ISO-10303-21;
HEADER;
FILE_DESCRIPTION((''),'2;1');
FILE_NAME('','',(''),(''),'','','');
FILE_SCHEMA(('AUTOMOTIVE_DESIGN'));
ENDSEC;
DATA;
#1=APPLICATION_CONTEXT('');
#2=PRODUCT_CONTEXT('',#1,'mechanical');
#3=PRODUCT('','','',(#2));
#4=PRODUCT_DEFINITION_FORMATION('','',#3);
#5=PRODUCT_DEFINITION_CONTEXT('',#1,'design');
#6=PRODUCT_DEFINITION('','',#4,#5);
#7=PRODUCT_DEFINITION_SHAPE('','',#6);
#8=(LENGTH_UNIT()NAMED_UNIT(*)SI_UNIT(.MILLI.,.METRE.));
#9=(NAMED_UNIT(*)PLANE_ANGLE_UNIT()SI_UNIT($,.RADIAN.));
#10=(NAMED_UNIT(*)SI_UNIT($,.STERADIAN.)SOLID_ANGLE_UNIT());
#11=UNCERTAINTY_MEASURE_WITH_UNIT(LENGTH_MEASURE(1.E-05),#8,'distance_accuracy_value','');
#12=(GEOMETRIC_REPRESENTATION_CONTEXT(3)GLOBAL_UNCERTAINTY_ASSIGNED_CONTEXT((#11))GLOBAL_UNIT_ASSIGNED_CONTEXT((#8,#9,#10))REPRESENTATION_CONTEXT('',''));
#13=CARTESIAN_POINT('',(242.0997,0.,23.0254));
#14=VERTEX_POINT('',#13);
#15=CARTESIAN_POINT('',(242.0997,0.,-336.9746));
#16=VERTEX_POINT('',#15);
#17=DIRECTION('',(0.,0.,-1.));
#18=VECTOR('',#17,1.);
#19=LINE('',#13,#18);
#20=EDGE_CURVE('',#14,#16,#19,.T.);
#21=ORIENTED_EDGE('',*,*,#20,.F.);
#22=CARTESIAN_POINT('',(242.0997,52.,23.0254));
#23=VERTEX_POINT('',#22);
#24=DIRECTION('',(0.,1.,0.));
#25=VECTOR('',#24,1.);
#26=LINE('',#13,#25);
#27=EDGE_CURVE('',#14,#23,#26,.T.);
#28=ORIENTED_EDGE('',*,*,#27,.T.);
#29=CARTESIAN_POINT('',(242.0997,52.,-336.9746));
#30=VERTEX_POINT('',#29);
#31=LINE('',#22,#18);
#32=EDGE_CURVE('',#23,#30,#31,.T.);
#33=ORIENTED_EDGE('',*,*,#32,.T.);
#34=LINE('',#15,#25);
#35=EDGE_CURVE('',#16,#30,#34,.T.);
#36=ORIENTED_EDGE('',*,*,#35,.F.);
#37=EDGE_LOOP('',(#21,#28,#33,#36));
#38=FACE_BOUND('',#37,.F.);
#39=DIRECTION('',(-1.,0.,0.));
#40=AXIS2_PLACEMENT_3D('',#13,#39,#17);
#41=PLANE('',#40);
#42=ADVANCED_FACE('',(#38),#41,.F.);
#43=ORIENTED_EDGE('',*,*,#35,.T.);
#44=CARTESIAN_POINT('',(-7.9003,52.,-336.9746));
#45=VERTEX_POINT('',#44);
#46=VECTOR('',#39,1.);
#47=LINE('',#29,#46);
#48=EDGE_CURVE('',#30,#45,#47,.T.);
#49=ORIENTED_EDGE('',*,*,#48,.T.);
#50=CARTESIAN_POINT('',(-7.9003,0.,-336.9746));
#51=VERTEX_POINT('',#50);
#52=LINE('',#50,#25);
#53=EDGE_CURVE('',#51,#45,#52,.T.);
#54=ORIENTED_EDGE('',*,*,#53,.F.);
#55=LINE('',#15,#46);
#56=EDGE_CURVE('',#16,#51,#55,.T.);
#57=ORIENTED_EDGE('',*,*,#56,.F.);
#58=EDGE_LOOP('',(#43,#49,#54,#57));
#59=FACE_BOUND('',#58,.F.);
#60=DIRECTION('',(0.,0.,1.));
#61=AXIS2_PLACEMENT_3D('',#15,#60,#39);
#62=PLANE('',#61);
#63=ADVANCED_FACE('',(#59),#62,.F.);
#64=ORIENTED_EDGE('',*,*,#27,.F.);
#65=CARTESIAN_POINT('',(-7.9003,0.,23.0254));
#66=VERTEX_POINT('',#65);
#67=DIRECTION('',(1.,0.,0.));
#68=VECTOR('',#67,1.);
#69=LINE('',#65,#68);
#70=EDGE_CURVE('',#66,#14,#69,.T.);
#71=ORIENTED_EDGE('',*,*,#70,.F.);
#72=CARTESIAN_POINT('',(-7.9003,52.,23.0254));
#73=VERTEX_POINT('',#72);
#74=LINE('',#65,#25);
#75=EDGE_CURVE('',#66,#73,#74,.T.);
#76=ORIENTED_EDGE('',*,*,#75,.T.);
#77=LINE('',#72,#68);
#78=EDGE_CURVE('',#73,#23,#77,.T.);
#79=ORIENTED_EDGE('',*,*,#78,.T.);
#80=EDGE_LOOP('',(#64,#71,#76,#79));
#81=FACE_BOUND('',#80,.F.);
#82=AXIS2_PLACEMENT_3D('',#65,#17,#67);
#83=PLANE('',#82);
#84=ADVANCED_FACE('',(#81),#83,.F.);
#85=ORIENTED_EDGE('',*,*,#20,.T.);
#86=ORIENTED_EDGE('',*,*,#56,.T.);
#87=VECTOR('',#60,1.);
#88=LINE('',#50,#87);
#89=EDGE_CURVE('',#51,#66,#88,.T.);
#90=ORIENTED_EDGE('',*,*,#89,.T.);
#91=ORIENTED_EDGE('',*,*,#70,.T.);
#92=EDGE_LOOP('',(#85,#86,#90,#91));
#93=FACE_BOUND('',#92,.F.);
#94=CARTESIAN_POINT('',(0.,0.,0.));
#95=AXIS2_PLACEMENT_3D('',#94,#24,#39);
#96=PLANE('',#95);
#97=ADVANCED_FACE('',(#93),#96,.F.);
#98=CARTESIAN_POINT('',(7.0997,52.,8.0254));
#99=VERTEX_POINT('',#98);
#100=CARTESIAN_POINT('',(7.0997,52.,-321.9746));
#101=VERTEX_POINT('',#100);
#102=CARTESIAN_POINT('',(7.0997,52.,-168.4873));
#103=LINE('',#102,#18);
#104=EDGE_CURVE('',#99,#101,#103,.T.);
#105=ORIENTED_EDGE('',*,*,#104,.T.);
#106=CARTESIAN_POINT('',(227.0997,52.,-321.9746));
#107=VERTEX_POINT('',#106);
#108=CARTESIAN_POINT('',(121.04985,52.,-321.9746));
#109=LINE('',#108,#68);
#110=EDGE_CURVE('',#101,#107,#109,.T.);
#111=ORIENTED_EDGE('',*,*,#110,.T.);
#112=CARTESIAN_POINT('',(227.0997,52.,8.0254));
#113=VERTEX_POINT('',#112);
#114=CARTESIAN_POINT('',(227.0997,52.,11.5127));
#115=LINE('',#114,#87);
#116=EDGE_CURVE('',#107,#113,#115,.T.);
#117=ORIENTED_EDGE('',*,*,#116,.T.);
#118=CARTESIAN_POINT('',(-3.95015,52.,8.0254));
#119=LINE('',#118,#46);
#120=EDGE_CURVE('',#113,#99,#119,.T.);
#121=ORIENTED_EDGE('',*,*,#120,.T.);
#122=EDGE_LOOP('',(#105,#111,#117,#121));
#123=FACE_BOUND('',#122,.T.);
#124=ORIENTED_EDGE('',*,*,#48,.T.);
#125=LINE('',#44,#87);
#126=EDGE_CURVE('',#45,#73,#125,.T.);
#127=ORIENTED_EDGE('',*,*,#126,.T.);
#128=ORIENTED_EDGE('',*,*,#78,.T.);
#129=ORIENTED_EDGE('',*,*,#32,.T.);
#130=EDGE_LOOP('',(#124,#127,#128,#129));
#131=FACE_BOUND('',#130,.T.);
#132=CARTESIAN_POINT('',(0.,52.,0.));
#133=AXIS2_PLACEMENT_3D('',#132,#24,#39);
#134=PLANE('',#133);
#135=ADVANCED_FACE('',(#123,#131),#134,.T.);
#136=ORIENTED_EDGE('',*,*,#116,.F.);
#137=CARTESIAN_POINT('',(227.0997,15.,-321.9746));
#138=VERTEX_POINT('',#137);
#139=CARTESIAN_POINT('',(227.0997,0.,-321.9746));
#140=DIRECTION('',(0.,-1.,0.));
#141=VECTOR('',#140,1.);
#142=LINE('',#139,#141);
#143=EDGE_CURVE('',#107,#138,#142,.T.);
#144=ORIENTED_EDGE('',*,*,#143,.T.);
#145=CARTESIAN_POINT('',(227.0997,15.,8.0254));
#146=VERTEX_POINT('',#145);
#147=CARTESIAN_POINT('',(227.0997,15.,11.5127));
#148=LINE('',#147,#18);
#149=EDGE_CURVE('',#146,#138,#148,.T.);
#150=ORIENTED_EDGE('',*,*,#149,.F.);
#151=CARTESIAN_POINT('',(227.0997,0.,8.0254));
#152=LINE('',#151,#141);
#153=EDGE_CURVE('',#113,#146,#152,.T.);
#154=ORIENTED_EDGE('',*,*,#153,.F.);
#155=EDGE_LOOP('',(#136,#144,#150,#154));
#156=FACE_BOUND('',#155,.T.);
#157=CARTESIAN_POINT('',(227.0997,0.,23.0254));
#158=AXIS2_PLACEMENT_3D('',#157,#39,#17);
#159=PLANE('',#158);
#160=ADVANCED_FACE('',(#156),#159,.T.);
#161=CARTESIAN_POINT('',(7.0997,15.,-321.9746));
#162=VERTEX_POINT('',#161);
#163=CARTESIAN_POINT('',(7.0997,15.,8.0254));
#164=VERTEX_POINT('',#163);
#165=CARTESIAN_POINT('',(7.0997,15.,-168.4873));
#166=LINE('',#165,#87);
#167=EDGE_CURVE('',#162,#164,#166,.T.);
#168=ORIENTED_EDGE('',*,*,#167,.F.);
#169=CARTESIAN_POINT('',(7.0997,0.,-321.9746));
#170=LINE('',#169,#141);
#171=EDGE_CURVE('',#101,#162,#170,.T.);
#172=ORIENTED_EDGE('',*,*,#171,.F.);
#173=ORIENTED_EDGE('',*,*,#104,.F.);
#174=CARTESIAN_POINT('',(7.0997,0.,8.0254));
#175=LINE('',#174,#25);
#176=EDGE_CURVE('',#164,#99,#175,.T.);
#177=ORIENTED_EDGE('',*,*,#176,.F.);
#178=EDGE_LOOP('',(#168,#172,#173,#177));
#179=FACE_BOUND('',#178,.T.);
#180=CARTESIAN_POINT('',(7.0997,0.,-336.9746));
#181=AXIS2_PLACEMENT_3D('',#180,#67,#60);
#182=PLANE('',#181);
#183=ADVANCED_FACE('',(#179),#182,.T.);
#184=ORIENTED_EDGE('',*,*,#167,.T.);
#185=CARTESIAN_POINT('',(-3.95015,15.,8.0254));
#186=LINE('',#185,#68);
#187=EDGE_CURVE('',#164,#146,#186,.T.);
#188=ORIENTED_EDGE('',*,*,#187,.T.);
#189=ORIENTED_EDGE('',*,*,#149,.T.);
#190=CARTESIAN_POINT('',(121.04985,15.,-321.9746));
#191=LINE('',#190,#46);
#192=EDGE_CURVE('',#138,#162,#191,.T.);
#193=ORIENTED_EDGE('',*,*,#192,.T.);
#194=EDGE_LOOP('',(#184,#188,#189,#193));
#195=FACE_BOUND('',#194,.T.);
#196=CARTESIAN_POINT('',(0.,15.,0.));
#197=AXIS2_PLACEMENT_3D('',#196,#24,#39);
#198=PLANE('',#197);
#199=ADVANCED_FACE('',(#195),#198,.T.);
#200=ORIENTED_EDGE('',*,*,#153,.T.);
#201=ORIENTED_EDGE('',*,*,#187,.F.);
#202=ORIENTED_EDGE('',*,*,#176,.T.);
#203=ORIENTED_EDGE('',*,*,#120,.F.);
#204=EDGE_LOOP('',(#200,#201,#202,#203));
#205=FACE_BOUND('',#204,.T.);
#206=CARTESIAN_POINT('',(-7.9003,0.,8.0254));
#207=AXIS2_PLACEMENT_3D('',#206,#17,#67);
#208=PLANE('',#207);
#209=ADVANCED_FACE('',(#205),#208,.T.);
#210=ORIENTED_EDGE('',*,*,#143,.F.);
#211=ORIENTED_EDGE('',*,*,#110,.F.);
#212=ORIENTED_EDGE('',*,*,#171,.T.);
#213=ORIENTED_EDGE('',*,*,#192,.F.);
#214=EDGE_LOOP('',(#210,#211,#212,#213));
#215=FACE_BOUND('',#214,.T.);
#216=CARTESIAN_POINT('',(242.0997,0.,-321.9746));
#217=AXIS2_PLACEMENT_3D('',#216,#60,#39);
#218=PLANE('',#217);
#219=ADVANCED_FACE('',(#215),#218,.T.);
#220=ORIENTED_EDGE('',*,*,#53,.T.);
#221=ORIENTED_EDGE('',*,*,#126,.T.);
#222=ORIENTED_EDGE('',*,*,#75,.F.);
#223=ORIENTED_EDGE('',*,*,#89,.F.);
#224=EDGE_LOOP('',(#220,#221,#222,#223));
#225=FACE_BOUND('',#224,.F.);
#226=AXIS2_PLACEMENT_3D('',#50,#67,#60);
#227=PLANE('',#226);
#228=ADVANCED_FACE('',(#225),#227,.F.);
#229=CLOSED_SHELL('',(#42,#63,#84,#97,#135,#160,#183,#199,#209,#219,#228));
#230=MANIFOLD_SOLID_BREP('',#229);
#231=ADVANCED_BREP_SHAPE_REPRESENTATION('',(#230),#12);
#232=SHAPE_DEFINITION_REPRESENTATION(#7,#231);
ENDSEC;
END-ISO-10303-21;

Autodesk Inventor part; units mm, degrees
ref_plane "YZ Plane" through (0, 0, 0) normal (1, 0, 0) x (0, 1, 0)
ref_plane "XZ Plane" through (0, 0, 0) normal (0, 1, 0) x (-1, 0, 0)
ref_plane "XY Plane" through (0, 0, 0) normal (0, 0, 1) x (1, 0, 0)
sketch "Sketch1" plane through (0, 0, 0) normal (0, 1, 0) x (-1, 0, 0)
  line L0 (7.9003, 23.0254) -> (-242.0997, 23.0254)
  line L1 (-242.0997, 23.0254) -> (-242.0997, -336.9746)
  line L2 (-242.0997, -336.9746) -> (7.9003, -336.9746)
  line L3 (7.9003, -336.9746) -> (7.9003, 23.0254)
  point P0 (0, 0)
  dimension "d0" = 250
  dimension "d1" = 360
extrude "Extrusion1" add sketch "Sketch1" along normal blind 52
shell "Shell1" thickness 15 removed faces 1 at (158.7664, 52, -96.9746)
sketch3d "3D Sketch5"
properties part number "Part1proj" material "Wood (Birch)"
